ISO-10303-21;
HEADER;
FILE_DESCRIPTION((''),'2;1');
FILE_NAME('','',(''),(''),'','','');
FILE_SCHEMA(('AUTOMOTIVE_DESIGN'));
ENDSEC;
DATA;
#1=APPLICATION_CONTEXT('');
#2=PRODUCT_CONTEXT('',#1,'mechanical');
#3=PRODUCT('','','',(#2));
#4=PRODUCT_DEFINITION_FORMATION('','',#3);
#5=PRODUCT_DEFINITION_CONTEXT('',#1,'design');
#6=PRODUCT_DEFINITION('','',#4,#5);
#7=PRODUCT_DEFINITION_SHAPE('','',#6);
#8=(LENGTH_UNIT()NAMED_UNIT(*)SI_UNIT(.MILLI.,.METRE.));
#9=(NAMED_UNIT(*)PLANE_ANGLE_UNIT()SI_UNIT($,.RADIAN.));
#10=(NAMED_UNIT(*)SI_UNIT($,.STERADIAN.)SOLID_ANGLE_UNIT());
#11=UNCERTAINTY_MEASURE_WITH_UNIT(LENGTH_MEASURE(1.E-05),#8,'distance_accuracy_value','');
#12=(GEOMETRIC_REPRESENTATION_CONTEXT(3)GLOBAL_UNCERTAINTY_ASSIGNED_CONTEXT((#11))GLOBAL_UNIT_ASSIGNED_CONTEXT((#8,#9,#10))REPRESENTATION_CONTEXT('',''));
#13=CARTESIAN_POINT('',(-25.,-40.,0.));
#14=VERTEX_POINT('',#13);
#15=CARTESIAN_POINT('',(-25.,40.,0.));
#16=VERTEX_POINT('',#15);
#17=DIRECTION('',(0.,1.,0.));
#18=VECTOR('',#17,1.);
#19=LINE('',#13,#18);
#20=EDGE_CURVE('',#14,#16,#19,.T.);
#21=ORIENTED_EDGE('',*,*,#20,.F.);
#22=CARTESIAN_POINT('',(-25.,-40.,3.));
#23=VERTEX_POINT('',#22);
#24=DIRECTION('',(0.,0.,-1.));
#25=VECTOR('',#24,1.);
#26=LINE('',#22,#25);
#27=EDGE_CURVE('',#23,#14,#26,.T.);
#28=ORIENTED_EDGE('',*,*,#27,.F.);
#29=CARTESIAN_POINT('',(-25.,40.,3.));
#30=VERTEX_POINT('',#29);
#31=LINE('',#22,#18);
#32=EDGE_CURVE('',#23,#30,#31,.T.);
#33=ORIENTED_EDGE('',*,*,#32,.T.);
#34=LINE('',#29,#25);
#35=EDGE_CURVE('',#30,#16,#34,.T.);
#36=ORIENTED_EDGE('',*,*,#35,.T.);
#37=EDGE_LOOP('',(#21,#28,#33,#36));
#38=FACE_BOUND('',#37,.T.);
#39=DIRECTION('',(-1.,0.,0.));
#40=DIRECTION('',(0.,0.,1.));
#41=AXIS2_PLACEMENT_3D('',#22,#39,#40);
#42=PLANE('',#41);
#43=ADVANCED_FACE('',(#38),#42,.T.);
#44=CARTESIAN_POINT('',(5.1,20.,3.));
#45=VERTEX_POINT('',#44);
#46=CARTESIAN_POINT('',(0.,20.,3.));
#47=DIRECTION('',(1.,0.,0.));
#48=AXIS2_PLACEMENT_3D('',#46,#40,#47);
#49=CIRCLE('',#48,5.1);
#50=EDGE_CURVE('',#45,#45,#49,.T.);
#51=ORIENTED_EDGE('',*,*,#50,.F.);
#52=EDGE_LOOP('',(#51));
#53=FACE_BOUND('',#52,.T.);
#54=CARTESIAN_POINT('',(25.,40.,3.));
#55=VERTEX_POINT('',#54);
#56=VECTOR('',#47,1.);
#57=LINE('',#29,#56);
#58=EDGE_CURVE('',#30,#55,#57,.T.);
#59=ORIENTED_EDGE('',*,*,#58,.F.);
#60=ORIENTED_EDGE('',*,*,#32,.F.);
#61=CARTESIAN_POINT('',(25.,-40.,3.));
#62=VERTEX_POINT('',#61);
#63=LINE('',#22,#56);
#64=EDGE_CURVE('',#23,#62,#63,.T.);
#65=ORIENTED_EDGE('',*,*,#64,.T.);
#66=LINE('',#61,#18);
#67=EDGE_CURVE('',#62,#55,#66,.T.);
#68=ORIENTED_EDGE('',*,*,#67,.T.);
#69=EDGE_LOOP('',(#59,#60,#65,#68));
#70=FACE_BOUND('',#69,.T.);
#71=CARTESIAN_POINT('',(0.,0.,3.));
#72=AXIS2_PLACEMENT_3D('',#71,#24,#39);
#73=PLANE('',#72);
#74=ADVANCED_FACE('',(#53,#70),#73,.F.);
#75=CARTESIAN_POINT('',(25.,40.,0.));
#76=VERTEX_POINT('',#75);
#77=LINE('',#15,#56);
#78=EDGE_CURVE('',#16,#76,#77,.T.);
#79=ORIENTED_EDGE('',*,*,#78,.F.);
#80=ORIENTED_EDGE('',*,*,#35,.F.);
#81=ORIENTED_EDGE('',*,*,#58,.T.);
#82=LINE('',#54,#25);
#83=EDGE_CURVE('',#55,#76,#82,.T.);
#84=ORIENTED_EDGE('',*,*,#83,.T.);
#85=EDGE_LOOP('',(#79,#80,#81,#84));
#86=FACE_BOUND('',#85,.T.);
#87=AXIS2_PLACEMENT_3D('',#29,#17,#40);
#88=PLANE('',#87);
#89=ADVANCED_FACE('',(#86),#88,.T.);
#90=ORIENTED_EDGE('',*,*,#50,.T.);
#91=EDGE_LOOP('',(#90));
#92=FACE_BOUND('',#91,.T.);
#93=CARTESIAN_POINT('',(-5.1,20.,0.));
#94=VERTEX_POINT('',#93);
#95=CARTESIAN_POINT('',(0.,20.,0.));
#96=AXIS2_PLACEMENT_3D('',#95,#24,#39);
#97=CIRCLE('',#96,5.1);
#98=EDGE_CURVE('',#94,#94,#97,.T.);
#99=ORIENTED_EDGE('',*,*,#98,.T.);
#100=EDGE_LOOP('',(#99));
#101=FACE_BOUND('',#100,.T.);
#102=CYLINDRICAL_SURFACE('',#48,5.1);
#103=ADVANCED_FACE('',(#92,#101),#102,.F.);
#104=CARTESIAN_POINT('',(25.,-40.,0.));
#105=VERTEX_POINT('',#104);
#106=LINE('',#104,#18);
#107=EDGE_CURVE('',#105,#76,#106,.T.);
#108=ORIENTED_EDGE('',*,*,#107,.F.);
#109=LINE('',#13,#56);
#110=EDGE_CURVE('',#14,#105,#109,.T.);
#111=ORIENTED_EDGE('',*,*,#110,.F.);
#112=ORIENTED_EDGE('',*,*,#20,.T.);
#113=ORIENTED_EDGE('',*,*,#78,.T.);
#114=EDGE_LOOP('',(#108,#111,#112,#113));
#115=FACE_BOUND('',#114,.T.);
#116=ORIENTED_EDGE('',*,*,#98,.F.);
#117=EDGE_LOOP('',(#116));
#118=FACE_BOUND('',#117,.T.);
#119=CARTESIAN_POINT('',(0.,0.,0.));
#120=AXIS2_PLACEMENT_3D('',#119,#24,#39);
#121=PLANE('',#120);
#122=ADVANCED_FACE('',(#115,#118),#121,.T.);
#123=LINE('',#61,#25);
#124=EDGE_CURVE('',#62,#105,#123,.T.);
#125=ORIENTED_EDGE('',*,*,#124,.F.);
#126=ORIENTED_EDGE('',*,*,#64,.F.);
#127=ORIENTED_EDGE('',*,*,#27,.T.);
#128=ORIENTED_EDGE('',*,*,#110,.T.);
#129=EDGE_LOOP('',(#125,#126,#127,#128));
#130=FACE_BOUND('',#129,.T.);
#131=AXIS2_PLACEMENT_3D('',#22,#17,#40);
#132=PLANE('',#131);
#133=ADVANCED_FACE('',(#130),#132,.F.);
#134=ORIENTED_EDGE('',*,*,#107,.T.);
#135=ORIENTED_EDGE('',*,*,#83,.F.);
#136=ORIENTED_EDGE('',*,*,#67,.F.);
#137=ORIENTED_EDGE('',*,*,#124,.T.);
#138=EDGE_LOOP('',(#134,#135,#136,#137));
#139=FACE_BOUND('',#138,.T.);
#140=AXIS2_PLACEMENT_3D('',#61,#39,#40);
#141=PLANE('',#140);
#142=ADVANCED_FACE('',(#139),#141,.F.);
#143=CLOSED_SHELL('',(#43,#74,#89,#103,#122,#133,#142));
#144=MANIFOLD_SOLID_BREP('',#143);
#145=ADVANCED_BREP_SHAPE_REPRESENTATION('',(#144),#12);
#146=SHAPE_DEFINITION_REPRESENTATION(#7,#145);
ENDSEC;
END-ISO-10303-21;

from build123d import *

# Parameters (mm, degrees)
SZKIC1_W                    = 50
SZKIC1_H                    = 80
DODANIE_WYCI_GNI_CIE1_DEPTH = 3
OTW_R_GWINTOWANY_M121_D     = 10.2
OTW_R_GWINTOWANY_M121_DEPTH = 32.75
OTW_R_GWINTOWANY_M121_TIP   = 3.064389157


with BuildPart() as part:
    # Szkic1 → Dodanie-wyciągnięcie1 (new body)
    with BuildSketch(Plane.XY):
        Rectangle(SZKIC1_W, SZKIC1_H)
    extrude(amount=DODANIE_WYCI_GNI_CIE1_DEPTH)

    # Otwór gwintowany M121
    with Locations(Plane.XY.offset(3)):
        with Locations((0, 20)):
            Hole(OTW_R_GWINTOWANY_M121_D / 2, depth=OTW_R_GWINTOWANY_M121_DEPTH)
            with Locations((0, 0, -(OTW_R_GWINTOWANY_M121_DEPTH + OTW_R_GWINTOWANY_M121_TIP / 2))):  # 118° drill point
                Cone(0, OTW_R_GWINTOWANY_M121_D / 2, OTW_R_GWINTOWANY_M121_TIP, mode=Mode.SUBTRACT)


solid = part.part
